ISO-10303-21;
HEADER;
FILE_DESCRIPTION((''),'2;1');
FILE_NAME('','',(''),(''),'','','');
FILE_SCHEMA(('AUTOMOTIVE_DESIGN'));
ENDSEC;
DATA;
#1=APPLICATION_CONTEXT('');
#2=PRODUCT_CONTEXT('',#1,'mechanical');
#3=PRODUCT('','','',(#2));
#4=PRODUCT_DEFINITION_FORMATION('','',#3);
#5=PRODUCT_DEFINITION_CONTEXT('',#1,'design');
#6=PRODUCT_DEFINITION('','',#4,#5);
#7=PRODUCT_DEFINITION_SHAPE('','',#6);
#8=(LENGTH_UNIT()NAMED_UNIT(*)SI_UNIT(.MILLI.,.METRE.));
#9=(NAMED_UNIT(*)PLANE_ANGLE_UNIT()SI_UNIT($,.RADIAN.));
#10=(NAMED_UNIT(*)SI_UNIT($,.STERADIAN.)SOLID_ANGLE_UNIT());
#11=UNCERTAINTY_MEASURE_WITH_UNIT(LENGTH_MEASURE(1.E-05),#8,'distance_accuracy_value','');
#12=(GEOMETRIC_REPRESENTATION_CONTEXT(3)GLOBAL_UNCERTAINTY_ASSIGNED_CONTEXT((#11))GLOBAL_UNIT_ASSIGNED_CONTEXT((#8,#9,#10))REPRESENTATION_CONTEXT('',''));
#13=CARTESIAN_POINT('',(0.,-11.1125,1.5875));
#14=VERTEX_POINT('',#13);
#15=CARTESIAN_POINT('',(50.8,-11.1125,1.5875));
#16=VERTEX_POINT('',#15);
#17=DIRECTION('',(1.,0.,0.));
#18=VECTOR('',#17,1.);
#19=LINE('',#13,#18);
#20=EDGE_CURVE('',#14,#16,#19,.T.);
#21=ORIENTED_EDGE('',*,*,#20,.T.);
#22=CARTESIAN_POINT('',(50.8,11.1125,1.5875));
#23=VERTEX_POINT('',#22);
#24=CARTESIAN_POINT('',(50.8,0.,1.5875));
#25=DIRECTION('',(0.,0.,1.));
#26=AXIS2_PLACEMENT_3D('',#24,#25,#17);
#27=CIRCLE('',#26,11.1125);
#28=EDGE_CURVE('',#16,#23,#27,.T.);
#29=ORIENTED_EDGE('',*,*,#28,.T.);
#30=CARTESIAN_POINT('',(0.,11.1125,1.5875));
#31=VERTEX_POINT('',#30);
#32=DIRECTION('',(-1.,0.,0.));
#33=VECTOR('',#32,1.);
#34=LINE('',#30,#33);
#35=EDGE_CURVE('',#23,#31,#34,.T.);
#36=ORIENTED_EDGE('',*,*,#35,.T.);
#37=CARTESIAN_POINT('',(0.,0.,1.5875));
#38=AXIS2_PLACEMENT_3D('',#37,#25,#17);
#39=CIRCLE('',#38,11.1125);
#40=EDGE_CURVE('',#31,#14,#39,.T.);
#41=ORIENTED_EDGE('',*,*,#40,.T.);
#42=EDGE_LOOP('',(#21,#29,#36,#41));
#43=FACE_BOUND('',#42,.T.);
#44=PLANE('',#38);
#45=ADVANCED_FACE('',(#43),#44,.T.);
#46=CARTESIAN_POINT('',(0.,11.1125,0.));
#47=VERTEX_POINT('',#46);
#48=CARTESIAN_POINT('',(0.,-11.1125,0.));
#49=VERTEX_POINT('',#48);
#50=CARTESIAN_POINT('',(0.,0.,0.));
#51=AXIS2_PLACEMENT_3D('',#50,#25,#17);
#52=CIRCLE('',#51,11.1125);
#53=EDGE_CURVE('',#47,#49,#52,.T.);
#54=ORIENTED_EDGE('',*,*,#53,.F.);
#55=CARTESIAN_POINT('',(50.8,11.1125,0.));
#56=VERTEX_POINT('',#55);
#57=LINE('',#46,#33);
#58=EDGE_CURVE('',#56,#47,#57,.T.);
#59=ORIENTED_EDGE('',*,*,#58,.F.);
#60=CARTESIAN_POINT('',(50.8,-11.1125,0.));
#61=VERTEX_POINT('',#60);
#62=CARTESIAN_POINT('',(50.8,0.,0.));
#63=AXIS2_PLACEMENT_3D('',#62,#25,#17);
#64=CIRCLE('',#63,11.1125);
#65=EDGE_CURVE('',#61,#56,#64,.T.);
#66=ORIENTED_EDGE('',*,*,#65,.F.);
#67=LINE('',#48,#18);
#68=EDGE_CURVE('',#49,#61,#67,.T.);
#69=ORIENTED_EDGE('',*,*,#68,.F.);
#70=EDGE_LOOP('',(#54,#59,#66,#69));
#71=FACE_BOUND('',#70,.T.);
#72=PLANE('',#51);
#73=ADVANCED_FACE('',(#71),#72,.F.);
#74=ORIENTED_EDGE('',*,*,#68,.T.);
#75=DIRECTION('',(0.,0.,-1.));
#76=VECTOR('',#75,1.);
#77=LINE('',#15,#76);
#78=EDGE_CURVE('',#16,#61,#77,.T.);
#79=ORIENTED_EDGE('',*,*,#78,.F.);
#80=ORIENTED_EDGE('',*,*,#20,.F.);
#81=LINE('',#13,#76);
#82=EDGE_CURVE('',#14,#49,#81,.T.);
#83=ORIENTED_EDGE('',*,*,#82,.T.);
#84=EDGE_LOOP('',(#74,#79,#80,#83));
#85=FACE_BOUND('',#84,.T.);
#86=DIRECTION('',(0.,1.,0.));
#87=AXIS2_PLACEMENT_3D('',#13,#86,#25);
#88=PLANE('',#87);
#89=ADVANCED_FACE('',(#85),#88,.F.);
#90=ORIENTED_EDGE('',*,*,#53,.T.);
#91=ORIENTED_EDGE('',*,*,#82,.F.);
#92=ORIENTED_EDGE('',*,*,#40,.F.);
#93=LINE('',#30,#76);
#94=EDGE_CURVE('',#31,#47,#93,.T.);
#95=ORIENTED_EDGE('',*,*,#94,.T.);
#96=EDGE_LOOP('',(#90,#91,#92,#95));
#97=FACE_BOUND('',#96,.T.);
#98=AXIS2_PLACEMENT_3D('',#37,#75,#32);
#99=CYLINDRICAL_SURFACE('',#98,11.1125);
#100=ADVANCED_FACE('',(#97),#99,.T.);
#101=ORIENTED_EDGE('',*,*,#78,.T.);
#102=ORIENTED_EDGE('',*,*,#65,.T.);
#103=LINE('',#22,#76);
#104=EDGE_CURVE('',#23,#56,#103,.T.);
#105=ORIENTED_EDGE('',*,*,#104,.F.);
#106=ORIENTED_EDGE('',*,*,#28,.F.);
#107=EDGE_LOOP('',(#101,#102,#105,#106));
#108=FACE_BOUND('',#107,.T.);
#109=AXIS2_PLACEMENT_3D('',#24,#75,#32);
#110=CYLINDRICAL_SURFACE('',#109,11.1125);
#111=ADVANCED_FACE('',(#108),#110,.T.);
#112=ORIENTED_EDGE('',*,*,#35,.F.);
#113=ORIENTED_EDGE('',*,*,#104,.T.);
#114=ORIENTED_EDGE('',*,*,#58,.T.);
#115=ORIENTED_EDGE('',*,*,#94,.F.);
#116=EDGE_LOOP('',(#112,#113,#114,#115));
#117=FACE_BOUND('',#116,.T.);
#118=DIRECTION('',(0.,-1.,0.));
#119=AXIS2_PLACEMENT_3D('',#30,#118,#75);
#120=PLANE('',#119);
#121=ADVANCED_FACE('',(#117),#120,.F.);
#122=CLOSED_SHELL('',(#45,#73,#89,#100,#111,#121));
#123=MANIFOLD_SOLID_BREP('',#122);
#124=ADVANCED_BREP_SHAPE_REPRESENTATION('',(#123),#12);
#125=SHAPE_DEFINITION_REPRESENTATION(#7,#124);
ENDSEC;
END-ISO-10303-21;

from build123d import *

# Parameters (mm, degrees)
BOSS_EXTRUDE1_DEPTH = 1.5875


with BuildPart() as part:
    # Sketch1 → Boss-Extrude1 (new body)
    with BuildSketch(Plane.XY):
        with BuildLine():
            Line((0, 11.1125), (50.8, 11.1125))
            ThreePointArc((50.8, 11.1125), (61.9125, 0), (50.8, -11.1125))
            Line((50.8, -11.1125), (0, -11.1125))
            ThreePointArc((0, -11.1125), (-11.1125, 0), (0, 11.1125))
        make_face()
    extrude(amount=BOSS_EXTRUDE1_DEPTH)


solid = part.part
